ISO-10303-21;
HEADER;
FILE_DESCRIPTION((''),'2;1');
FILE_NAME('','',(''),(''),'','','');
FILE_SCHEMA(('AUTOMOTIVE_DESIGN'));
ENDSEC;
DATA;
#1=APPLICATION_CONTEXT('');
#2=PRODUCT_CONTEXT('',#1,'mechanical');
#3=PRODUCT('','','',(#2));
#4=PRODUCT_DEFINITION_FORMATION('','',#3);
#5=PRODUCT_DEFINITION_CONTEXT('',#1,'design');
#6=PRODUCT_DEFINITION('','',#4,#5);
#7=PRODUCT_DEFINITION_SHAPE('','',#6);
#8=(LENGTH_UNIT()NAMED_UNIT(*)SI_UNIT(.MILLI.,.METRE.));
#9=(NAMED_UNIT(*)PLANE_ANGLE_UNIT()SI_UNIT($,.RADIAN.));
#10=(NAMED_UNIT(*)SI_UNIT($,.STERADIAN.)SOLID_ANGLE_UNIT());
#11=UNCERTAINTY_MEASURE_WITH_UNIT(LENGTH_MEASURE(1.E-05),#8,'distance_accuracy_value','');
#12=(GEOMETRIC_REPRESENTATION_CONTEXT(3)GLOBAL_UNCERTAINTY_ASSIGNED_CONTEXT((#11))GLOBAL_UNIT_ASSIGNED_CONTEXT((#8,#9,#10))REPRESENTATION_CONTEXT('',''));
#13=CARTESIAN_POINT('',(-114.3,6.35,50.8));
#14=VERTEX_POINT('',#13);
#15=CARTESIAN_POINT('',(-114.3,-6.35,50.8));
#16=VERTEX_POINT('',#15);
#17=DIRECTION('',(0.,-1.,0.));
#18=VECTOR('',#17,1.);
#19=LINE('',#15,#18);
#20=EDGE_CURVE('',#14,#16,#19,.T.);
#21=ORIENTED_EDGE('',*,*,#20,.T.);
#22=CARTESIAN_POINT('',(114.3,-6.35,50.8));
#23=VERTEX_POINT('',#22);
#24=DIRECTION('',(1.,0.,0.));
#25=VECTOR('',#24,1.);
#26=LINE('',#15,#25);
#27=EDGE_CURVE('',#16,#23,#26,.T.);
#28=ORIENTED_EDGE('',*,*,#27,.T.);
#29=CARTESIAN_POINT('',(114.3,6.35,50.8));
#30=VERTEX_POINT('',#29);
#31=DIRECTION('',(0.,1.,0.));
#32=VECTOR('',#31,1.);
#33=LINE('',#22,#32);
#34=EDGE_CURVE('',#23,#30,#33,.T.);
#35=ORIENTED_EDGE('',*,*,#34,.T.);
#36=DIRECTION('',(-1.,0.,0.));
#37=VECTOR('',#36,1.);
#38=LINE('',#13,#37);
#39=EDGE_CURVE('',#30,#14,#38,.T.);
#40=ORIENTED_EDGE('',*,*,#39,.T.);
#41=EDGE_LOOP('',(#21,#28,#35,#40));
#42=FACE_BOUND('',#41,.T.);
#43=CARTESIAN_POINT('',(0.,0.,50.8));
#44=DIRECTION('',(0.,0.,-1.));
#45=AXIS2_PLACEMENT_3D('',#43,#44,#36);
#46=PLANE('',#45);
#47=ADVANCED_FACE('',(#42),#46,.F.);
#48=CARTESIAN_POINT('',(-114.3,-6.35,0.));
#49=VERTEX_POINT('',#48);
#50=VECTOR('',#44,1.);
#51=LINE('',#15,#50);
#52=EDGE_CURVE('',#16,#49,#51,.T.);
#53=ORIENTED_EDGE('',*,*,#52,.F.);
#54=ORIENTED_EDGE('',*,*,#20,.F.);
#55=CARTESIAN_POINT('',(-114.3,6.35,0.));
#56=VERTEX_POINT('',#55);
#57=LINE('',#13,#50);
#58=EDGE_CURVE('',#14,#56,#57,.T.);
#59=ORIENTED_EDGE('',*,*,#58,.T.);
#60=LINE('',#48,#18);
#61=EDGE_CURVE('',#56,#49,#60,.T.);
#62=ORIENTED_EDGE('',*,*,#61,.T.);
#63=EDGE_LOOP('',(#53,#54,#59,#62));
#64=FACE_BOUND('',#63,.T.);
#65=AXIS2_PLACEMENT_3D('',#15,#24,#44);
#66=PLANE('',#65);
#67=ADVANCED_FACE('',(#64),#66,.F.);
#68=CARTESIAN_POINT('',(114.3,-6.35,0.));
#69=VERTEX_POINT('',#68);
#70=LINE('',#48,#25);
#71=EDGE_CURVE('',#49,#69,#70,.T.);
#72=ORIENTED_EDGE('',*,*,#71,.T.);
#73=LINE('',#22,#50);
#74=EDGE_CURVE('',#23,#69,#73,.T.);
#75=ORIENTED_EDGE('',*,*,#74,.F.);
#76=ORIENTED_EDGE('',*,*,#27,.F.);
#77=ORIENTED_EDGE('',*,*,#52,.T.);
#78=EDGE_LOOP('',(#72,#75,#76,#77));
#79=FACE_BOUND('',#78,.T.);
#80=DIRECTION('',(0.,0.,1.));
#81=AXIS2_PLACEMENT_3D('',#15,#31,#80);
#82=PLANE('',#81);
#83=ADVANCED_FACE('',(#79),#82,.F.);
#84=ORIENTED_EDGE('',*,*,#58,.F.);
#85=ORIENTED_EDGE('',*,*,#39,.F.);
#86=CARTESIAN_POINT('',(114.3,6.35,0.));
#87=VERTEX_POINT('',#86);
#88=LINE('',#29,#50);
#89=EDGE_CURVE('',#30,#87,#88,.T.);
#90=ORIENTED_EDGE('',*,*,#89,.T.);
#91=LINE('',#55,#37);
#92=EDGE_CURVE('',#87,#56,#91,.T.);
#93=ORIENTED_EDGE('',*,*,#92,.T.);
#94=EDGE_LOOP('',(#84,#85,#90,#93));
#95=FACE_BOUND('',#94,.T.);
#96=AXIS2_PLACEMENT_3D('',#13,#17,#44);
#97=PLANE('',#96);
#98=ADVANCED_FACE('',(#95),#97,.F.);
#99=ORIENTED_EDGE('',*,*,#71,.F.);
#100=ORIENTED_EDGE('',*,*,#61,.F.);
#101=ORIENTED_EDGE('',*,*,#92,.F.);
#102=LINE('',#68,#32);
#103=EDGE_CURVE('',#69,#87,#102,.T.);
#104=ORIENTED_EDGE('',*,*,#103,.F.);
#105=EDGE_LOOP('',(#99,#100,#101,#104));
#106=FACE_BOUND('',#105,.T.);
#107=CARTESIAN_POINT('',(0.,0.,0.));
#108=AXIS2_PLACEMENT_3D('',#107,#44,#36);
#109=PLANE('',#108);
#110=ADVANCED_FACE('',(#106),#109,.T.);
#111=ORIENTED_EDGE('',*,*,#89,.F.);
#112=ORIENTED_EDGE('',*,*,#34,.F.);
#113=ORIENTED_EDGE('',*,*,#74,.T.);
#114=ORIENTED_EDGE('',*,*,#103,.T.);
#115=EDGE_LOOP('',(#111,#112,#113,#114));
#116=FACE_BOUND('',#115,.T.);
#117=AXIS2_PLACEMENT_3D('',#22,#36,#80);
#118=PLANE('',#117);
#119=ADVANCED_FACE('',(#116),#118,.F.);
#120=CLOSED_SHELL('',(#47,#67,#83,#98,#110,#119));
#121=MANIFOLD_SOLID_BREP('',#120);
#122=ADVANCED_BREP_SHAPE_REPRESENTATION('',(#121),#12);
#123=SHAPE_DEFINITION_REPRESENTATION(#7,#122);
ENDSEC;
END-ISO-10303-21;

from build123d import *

# Parameters (mm, degrees)
BLOCKBASE_W = 228.6
BLOCKBASE_H = 12.7
BLOCK_DEPTH = 50.8


with BuildPart() as part:
    # BlockBase → Block (new body)
    with BuildSketch(Plane.XY):
        Rectangle(BLOCKBASE_W, BLOCKBASE_H)
    extrude(amount=BLOCK_DEPTH)


solid = part.part
